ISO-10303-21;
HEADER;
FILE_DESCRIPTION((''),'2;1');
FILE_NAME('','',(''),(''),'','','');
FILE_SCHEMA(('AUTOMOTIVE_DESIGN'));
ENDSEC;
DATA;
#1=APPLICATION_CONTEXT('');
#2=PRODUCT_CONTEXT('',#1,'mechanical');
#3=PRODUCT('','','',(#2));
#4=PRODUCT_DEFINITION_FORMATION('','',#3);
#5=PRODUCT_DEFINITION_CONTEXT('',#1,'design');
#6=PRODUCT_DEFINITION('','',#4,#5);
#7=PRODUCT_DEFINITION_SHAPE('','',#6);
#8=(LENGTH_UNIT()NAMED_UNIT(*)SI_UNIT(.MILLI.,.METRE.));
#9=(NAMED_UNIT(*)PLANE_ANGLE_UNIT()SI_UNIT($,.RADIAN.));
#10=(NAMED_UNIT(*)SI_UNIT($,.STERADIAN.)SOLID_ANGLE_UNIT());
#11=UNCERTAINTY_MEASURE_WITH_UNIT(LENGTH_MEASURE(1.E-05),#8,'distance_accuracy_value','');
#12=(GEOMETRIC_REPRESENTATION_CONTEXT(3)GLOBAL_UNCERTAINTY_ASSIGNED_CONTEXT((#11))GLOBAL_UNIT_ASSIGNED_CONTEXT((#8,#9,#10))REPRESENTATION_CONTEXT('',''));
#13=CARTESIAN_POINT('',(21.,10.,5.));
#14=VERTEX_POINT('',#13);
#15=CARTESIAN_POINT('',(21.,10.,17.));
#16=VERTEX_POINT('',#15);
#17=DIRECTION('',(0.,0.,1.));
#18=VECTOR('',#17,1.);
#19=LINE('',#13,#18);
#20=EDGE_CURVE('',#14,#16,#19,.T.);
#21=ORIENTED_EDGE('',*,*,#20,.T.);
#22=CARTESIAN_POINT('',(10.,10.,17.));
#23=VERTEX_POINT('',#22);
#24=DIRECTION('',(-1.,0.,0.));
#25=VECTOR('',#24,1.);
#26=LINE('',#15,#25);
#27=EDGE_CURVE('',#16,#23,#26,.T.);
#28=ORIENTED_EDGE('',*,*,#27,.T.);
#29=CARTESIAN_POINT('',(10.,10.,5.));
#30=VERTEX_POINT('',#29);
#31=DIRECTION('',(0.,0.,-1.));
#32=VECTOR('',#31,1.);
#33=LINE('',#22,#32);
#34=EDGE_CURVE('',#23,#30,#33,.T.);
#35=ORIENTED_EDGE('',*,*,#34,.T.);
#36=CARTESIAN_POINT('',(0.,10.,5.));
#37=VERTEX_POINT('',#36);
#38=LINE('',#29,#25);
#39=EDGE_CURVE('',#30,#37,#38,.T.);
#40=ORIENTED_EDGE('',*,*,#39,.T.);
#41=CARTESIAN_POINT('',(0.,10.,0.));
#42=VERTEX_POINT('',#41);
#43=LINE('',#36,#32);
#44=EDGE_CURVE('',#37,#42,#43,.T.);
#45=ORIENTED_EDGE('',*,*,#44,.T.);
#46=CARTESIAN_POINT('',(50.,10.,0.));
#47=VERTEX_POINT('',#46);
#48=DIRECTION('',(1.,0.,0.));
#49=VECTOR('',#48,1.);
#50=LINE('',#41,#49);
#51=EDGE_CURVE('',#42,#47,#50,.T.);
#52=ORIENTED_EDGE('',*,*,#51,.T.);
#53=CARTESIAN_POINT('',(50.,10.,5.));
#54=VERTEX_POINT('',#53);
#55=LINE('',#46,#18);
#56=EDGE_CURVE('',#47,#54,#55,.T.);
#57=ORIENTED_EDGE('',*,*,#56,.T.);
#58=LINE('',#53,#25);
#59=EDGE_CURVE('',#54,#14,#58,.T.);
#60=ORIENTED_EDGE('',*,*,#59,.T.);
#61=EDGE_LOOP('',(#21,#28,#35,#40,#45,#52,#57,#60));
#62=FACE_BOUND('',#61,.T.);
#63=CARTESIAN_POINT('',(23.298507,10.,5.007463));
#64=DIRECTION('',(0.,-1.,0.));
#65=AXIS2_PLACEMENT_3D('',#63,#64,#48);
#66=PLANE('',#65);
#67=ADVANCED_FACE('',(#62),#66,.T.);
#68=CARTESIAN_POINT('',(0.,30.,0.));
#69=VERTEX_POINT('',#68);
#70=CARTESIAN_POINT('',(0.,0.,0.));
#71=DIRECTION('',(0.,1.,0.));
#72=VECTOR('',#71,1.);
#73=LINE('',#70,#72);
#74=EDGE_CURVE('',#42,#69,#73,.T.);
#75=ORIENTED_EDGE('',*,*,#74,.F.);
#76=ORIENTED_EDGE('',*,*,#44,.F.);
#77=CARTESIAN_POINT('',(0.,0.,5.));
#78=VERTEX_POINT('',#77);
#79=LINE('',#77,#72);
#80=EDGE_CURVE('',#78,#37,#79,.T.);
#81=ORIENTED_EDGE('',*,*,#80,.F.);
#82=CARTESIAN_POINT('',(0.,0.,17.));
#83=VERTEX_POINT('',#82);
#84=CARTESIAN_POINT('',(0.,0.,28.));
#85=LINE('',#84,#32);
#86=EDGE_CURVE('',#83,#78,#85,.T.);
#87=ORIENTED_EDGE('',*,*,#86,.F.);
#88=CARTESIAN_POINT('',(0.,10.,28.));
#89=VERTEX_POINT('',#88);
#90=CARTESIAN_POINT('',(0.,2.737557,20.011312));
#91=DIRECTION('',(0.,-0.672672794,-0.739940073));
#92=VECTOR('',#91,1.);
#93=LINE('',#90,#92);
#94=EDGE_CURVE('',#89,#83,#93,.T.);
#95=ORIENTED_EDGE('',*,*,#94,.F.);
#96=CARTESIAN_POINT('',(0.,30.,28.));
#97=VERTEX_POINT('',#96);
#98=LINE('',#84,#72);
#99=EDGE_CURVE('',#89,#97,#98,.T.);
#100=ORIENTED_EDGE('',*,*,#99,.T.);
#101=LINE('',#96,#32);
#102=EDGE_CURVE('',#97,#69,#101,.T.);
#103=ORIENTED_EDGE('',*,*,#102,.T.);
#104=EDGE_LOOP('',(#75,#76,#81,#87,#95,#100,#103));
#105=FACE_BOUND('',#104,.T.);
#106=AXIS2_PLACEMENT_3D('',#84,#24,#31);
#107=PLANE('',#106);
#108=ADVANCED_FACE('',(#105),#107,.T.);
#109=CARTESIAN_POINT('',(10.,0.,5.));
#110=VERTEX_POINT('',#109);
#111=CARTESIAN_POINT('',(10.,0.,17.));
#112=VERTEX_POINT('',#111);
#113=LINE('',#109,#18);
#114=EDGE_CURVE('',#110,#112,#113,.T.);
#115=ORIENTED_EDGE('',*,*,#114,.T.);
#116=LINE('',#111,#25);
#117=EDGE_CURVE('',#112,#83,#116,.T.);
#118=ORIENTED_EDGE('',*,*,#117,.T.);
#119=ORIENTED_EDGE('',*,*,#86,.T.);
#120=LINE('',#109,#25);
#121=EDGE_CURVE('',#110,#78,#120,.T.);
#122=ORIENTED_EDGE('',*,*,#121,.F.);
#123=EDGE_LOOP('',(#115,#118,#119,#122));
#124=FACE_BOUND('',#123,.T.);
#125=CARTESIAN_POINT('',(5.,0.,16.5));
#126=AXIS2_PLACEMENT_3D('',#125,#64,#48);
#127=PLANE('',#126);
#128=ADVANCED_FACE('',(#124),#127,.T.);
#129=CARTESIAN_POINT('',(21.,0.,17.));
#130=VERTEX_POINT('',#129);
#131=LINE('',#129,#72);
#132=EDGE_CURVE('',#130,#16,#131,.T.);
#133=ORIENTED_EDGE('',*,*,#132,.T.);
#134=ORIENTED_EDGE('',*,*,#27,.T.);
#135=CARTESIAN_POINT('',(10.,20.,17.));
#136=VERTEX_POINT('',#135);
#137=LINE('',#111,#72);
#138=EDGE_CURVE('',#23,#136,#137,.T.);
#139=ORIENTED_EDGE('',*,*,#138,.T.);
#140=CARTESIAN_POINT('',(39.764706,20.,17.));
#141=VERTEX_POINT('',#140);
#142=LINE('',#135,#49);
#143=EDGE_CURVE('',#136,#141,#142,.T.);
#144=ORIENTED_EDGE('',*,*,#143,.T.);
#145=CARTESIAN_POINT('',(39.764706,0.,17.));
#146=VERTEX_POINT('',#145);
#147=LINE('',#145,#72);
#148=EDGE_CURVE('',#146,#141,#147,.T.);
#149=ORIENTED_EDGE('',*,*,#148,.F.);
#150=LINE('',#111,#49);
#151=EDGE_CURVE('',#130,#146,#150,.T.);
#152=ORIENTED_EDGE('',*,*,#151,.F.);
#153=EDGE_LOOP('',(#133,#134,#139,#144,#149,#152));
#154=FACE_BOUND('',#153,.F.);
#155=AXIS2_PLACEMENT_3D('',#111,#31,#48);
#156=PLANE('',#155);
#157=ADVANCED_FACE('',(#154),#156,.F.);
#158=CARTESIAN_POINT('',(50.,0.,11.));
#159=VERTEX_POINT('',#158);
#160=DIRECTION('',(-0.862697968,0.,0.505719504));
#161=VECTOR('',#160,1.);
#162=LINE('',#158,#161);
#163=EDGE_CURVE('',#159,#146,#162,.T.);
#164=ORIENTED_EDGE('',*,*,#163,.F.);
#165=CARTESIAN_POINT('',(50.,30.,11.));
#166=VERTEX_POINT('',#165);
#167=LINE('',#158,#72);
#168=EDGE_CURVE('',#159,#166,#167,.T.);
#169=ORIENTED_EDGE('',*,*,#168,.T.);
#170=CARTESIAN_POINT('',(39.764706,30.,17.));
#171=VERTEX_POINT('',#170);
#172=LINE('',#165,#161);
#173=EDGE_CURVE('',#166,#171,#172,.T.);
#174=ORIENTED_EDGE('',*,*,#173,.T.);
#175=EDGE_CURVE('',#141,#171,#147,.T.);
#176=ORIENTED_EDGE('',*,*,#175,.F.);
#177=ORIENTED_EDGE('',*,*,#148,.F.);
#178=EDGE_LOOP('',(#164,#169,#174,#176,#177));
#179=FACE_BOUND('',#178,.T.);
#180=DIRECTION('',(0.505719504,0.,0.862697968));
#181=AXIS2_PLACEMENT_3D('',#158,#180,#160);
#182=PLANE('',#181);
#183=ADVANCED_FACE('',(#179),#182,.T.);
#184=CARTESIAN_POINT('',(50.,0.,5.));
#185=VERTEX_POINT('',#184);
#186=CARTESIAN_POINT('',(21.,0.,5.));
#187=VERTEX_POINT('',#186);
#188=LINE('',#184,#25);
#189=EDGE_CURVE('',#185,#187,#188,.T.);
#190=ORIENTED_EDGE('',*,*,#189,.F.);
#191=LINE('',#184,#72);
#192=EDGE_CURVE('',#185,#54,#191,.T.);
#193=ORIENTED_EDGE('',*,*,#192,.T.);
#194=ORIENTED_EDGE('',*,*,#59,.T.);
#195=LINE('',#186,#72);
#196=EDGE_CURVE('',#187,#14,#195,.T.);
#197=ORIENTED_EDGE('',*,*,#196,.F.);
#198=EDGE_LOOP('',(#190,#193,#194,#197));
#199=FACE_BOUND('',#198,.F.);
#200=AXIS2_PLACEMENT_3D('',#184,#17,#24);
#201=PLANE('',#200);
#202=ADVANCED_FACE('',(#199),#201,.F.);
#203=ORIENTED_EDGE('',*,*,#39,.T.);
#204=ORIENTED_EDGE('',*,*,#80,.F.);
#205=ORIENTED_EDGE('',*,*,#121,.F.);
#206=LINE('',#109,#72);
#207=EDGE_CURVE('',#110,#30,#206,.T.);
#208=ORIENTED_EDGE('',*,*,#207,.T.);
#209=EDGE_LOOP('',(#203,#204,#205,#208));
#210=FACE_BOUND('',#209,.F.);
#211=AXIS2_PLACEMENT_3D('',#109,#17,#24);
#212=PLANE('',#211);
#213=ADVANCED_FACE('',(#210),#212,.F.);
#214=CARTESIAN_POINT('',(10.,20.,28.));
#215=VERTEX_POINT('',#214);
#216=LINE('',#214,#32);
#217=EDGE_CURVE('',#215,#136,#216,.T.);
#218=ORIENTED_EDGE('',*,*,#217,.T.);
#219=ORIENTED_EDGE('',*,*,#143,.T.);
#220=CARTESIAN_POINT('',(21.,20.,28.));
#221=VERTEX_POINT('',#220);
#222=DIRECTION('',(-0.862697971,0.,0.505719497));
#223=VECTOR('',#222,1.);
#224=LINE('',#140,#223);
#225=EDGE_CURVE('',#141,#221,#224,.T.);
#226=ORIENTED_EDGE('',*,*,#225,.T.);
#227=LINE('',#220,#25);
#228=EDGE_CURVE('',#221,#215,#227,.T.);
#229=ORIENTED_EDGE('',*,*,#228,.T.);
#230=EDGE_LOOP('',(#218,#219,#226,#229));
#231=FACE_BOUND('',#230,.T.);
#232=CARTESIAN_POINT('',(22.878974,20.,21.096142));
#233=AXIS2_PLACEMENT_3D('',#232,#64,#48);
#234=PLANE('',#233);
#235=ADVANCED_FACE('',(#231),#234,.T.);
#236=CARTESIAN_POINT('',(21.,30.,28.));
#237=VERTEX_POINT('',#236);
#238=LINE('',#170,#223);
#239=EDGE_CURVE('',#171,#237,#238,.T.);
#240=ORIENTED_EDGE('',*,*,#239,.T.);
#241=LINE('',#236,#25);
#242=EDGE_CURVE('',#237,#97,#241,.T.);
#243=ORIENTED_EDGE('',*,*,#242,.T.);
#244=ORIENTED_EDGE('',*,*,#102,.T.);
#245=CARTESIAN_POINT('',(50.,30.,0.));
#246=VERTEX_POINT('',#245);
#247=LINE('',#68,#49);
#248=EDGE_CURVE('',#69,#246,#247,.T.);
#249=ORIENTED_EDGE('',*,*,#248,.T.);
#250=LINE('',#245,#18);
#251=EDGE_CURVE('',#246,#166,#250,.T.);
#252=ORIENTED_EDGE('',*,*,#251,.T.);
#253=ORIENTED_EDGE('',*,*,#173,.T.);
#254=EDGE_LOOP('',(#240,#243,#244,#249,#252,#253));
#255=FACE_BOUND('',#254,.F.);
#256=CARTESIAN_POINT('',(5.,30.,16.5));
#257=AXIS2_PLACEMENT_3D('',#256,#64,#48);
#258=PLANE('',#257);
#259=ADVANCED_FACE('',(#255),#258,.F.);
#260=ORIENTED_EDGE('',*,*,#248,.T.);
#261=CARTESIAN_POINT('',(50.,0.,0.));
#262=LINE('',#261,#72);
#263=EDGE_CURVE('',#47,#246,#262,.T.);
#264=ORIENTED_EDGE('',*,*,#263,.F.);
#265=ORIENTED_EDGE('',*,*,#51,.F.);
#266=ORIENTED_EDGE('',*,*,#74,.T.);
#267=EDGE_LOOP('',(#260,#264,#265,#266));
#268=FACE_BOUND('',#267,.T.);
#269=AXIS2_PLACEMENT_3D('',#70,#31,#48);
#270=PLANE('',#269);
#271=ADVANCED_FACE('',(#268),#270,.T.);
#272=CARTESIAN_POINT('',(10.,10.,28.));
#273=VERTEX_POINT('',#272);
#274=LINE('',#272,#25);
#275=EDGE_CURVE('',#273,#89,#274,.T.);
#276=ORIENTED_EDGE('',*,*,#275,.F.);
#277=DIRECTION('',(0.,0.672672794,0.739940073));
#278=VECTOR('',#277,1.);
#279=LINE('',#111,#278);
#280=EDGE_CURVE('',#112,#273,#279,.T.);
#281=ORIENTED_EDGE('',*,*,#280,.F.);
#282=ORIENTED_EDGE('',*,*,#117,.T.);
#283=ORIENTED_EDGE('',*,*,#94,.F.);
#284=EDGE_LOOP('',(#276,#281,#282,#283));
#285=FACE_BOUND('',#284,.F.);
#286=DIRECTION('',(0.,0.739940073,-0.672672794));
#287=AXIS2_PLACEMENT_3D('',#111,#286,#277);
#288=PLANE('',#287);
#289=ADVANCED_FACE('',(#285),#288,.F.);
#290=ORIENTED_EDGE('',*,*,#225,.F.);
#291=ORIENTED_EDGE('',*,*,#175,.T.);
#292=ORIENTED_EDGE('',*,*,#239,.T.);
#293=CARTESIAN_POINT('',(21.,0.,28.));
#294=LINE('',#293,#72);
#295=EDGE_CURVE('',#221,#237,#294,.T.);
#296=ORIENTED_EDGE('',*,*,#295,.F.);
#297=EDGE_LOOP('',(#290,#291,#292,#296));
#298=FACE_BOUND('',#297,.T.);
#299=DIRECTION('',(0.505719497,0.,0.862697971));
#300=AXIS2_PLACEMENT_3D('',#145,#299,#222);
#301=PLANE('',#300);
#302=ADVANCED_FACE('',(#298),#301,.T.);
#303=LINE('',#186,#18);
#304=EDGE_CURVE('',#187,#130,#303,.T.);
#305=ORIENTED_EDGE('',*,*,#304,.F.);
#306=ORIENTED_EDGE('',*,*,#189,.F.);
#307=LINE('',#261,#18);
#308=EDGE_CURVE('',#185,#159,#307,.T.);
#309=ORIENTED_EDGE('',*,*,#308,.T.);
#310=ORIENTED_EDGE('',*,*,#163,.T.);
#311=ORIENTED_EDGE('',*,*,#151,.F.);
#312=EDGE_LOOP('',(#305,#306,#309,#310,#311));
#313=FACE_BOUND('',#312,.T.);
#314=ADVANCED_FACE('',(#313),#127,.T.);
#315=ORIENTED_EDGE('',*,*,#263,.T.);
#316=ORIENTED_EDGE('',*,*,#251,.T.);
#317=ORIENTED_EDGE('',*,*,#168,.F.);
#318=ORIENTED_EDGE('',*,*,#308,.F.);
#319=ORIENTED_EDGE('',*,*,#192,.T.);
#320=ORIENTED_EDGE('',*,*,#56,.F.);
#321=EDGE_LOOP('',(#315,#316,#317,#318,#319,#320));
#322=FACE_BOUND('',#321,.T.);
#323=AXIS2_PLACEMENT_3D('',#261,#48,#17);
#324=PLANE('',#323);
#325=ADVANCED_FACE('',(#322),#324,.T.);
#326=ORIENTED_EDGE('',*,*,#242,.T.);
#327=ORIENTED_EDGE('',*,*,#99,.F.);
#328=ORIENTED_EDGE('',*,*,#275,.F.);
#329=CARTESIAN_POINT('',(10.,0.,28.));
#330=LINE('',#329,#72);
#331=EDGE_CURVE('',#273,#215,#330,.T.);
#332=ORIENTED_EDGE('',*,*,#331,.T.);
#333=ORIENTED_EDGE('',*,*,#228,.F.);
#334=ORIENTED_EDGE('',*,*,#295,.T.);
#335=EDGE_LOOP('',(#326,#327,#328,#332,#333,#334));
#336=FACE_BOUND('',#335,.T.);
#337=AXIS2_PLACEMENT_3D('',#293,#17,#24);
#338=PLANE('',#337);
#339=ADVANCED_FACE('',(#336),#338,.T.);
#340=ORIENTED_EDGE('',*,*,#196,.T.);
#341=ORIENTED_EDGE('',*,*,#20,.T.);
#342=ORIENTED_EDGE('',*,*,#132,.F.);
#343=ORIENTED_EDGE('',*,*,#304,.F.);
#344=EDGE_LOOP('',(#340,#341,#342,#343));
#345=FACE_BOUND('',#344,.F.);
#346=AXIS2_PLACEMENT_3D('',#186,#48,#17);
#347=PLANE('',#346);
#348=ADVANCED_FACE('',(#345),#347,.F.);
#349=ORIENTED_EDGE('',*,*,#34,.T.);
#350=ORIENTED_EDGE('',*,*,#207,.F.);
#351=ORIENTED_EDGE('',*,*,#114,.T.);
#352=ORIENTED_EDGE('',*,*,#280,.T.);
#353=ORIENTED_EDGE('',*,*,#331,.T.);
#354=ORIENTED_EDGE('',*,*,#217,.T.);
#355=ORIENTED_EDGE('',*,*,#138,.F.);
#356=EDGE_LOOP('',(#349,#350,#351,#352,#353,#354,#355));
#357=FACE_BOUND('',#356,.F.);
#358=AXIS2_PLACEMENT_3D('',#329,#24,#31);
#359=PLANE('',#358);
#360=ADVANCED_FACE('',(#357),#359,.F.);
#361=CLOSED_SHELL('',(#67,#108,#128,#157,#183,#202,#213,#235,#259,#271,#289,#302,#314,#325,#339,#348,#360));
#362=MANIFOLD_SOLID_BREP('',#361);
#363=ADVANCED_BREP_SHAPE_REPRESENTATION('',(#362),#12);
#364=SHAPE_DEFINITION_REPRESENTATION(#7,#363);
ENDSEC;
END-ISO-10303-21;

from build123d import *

# Parameters (mm, degrees)
F1_DEPTH = 30
F2_DEPTH = 10
F3_DEPTH = 20
F5_DEPTH = 10.001


with BuildPart() as f1:
    # F0 (on Front) → F1 (new body)
    with BuildSketch(Plane.XZ):
        Polygon((0, 28), (0, 5), (10, 5), (10, 17), (10, 28), align=None)
        Polygon((0, 5), (0, 0), (50, 0), (50, 5), (21, 5), (21, 17), (10, 17), (10, 5), align=None)
        Polygon((21, 5), (50, 5), (50, 11), (39.764706, 17), (21, 17), align=None)
        Polygon((21, 28), (10, 28), (10, 17), (21, 17), (39.764706, 17), align=None)
    extrude(amount=-F1_DEPTH)

    # F0 (on Front) → F2 (cut)
    with BuildSketch(Plane.XZ):
        Polygon((0, 5), (0, 0), (50, 0), (50, 5), (21, 5), (21, 17), (10, 17), (10, 5), align=None)
    extrude(amount=-F2_DEPTH, mode=Mode.SUBTRACT)

    # F0 (on Front) → F3 (cut)
    with BuildSketch(Plane.XZ):
        Polygon((21, 28), (10, 28), (10, 17), (21, 17), (39.764706, 17), align=None)
    extrude(amount=-F3_DEPTH, mode=Mode.SUBTRACT)

    # F4 (on face) → F5 (cut, through all)
    with BuildSketch(Plane.YZ.offset(10)):
        Polygon((0, 17), (10, 28), (0, 28), align=None)
    extrude(amount=-F5_DEPTH, mode=Mode.SUBTRACT)


solid = f1.part
